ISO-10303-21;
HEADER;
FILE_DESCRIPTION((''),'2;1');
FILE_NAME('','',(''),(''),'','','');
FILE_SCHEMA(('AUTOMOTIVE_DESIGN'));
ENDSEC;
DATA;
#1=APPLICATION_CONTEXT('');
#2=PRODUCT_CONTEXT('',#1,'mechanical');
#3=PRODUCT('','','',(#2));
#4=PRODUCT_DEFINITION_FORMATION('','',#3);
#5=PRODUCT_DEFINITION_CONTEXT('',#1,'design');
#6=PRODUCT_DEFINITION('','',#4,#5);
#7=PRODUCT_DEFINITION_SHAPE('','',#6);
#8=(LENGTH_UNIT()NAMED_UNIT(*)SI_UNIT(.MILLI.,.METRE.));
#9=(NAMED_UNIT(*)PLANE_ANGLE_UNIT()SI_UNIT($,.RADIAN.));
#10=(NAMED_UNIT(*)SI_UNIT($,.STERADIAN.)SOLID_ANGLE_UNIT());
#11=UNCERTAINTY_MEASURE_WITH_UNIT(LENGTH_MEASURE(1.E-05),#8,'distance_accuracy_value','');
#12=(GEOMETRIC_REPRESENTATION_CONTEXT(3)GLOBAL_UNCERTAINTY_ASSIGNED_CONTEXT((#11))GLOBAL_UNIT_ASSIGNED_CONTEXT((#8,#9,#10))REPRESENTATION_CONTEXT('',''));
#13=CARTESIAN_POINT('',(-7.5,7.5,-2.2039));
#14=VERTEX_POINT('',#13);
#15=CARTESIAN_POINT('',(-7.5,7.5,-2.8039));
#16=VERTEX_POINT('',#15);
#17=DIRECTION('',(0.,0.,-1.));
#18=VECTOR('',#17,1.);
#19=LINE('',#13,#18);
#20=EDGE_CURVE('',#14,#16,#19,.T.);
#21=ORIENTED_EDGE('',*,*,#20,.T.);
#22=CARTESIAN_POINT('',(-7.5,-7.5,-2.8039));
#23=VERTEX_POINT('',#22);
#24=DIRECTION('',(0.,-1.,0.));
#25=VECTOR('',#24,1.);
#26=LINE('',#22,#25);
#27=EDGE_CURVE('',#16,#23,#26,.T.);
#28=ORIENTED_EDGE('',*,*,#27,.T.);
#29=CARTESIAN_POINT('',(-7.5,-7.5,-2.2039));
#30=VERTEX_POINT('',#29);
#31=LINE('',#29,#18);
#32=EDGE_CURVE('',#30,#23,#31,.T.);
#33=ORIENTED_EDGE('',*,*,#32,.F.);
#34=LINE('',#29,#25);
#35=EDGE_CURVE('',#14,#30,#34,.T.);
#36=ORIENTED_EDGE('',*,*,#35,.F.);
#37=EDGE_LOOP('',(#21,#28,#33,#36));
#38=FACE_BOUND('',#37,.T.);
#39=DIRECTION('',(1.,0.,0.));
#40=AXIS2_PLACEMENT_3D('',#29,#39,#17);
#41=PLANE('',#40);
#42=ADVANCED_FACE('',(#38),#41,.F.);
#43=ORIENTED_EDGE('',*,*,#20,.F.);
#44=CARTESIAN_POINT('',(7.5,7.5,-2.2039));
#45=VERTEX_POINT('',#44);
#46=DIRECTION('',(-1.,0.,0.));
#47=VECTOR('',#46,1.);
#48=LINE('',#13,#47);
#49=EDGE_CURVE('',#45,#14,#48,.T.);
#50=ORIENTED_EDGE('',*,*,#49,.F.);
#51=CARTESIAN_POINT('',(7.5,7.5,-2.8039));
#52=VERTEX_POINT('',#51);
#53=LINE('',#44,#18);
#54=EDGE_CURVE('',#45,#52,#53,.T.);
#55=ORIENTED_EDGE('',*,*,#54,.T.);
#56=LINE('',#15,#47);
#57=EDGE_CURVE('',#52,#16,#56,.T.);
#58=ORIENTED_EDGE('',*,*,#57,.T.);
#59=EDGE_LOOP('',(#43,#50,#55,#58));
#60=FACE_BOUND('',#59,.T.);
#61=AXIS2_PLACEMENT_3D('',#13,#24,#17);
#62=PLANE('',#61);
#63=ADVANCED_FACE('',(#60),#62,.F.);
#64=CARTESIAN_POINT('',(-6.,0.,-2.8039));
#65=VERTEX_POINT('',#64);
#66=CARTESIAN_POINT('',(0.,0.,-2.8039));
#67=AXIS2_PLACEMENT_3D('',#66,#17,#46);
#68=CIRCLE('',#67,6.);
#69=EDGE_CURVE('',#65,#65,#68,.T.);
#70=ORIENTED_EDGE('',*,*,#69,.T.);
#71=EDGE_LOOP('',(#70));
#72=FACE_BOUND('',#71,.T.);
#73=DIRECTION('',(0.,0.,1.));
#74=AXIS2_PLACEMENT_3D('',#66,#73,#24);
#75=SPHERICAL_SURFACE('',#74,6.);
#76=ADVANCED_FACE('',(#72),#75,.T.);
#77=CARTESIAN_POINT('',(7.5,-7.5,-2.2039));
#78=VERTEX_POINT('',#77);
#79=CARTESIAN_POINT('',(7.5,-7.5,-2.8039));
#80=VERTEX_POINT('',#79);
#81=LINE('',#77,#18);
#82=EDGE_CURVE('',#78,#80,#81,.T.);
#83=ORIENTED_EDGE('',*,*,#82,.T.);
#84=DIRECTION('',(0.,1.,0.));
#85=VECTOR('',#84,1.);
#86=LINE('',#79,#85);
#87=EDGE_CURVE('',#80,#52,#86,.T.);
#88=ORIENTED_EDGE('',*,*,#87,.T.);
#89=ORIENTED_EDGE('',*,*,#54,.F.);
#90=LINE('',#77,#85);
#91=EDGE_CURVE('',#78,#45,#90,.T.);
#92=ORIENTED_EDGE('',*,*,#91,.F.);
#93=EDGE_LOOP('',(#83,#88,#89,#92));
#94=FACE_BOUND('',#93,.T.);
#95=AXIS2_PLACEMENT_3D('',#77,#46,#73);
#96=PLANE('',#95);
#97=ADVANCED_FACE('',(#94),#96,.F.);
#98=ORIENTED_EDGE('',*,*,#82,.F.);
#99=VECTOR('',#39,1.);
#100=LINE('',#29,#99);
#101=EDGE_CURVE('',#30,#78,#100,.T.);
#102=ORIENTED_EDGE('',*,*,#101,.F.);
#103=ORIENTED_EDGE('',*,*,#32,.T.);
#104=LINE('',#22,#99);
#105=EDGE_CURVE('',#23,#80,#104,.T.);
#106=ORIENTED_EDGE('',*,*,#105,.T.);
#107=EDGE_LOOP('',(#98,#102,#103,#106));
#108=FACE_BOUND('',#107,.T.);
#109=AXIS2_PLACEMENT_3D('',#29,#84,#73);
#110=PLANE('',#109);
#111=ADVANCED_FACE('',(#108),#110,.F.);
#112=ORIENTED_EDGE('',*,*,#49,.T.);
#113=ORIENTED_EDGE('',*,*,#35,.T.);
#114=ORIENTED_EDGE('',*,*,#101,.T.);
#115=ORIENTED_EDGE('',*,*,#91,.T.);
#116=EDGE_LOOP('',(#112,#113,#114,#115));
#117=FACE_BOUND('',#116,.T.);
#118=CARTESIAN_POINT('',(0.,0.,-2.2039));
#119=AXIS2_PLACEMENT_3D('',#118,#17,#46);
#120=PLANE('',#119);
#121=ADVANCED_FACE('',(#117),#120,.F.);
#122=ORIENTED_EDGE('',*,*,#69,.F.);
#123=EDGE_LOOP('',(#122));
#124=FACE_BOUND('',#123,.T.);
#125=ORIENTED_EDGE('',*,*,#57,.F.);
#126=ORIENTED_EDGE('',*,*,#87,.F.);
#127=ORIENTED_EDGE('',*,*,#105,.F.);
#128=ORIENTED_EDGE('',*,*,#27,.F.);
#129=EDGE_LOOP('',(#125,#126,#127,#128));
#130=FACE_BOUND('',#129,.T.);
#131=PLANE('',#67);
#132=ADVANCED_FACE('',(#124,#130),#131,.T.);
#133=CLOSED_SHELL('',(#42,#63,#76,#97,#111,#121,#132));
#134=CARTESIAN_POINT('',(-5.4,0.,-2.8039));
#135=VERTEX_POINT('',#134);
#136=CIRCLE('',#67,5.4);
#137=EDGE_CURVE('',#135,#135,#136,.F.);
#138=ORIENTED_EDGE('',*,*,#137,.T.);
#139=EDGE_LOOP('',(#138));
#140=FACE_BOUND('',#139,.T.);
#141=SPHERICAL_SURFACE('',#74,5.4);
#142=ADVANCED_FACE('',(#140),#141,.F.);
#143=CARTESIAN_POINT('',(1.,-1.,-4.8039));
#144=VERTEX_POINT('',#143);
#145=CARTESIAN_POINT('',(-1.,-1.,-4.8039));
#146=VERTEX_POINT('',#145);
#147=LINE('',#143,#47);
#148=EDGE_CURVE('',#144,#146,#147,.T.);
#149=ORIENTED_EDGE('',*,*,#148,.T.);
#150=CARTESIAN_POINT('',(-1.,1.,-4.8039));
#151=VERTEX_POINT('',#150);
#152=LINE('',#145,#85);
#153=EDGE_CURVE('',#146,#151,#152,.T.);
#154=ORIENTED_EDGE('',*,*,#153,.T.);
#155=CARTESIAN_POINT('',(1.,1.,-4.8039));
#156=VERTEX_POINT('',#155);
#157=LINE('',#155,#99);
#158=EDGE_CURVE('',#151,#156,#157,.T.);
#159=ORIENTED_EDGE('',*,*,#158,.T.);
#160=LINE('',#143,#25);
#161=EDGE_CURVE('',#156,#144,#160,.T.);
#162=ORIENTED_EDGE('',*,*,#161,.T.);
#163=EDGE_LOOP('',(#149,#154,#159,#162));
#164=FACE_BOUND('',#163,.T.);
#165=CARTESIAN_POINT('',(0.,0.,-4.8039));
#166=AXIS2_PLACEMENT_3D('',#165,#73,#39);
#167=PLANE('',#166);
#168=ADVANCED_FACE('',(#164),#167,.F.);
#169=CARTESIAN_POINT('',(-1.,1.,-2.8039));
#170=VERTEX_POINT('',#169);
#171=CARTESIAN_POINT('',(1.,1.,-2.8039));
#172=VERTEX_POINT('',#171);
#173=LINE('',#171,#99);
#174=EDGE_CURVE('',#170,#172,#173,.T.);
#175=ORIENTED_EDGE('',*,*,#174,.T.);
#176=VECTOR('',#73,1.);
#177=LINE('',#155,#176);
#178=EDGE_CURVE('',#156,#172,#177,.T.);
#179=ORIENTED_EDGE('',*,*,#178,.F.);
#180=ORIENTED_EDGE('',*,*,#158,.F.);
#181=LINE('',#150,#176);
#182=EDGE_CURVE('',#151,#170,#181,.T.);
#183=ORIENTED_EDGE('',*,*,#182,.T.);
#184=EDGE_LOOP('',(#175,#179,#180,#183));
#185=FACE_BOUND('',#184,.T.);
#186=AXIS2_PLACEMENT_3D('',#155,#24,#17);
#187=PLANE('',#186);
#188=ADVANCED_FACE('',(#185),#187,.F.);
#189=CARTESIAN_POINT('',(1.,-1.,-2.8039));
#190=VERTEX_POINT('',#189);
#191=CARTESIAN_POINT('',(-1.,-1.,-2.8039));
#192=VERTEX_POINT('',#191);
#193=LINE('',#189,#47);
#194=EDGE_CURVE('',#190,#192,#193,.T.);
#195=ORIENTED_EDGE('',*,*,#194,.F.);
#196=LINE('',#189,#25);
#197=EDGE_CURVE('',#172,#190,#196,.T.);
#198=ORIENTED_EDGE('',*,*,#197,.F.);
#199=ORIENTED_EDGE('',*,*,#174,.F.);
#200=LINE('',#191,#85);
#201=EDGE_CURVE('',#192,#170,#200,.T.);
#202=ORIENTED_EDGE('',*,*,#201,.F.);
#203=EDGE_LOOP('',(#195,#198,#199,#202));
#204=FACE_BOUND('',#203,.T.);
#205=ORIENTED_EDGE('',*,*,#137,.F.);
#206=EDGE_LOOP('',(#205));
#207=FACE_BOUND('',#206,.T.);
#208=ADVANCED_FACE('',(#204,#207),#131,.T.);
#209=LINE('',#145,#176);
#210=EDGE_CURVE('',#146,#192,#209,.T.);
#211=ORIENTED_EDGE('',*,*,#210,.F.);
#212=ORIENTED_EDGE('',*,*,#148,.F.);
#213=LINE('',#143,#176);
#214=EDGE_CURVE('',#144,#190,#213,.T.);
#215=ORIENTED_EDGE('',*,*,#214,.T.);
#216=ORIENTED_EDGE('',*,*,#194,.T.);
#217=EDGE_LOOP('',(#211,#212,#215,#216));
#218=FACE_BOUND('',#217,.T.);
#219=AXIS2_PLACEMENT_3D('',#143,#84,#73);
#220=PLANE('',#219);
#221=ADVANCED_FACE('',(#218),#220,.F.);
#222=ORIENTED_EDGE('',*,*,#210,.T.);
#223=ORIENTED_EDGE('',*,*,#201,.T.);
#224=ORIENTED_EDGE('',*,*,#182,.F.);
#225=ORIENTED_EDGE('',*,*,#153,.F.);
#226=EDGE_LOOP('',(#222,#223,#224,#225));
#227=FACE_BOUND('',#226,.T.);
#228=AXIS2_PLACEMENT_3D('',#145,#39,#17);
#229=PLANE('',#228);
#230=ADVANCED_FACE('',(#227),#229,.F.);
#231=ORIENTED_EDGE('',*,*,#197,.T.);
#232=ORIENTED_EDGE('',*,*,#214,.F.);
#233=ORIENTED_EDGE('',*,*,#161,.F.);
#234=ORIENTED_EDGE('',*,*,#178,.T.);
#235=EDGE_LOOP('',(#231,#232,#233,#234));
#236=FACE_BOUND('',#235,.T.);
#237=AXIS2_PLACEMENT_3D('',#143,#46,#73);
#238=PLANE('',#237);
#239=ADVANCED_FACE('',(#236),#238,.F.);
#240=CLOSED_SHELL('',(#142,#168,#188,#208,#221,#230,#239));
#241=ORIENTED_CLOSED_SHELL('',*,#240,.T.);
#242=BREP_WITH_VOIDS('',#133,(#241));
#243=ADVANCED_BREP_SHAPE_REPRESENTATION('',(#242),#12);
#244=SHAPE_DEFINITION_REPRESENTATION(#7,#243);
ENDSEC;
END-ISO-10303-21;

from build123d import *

# Parameters (mm, degrees)
SKETCH1_W           = 50
SKETCH1_H           = 50
BOSS_EXTRUDE1_DEPTH = 2
SCALE1_SCALE        = 0.5
SCALE2_SCALE        = 0.6
SKETCH3_W           = 2
SKETCH3_H           = 2
BOSS_EXTRUDE2_DEPTH = 2


with BuildPart() as part:
    # Sketch1 → Boss-Extrude1 (new body)
    with BuildSketch(Plane.XY):
        Rectangle(SKETCH1_W, SKETCH1_H)
    extrude(amount=BOSS_EXTRUDE1_DEPTH)

    # Sketch2 → Revolve2 (revolve)
    with BuildSketch(Plane(origin=(0, 0, 0), x_dir=(0, 0, -1), z_dir=(1, 0, 0))):
        with BuildLine():
            Line((0, -20), (0, -18))
            ThreePointArc((0, -18), (12.727922061, -12.727922061), (18, 0))
            Line((18, 0), (20, 0))
            ThreePointArc((20, 0), (14.142135624, -14.142135624), (0, -20))
        make_face()
    revolve(axis=Axis((0, 0, -18), (0, 0, -1)))


with BuildPart() as part_1:
    # Scale1: scaled about (0, 0, -4.005571342)
    add(part.part.scale(SCALE1_SCALE).moved(Location((0, 0, -2.002785671))))


with BuildPart() as part_2:
    # Scale2: scaled about (0, 0, -4.005571342)
    add(part_1.part.scale(SCALE2_SCALE).moved(Location((0, 0, -1.602228537))))

    # Sketch3 → Boss-Extrude2 (add)
    with BuildSketch(Plane(origin=(0, 0, -2.803899939), x_dir=(-1, 0, 0), z_dir=(0, 0, -1))):
        Rectangle(SKETCH3_W, SKETCH3_H)
    extrude(amount=BOSS_EXTRUDE2_DEPTH)


solid = part_2.part
